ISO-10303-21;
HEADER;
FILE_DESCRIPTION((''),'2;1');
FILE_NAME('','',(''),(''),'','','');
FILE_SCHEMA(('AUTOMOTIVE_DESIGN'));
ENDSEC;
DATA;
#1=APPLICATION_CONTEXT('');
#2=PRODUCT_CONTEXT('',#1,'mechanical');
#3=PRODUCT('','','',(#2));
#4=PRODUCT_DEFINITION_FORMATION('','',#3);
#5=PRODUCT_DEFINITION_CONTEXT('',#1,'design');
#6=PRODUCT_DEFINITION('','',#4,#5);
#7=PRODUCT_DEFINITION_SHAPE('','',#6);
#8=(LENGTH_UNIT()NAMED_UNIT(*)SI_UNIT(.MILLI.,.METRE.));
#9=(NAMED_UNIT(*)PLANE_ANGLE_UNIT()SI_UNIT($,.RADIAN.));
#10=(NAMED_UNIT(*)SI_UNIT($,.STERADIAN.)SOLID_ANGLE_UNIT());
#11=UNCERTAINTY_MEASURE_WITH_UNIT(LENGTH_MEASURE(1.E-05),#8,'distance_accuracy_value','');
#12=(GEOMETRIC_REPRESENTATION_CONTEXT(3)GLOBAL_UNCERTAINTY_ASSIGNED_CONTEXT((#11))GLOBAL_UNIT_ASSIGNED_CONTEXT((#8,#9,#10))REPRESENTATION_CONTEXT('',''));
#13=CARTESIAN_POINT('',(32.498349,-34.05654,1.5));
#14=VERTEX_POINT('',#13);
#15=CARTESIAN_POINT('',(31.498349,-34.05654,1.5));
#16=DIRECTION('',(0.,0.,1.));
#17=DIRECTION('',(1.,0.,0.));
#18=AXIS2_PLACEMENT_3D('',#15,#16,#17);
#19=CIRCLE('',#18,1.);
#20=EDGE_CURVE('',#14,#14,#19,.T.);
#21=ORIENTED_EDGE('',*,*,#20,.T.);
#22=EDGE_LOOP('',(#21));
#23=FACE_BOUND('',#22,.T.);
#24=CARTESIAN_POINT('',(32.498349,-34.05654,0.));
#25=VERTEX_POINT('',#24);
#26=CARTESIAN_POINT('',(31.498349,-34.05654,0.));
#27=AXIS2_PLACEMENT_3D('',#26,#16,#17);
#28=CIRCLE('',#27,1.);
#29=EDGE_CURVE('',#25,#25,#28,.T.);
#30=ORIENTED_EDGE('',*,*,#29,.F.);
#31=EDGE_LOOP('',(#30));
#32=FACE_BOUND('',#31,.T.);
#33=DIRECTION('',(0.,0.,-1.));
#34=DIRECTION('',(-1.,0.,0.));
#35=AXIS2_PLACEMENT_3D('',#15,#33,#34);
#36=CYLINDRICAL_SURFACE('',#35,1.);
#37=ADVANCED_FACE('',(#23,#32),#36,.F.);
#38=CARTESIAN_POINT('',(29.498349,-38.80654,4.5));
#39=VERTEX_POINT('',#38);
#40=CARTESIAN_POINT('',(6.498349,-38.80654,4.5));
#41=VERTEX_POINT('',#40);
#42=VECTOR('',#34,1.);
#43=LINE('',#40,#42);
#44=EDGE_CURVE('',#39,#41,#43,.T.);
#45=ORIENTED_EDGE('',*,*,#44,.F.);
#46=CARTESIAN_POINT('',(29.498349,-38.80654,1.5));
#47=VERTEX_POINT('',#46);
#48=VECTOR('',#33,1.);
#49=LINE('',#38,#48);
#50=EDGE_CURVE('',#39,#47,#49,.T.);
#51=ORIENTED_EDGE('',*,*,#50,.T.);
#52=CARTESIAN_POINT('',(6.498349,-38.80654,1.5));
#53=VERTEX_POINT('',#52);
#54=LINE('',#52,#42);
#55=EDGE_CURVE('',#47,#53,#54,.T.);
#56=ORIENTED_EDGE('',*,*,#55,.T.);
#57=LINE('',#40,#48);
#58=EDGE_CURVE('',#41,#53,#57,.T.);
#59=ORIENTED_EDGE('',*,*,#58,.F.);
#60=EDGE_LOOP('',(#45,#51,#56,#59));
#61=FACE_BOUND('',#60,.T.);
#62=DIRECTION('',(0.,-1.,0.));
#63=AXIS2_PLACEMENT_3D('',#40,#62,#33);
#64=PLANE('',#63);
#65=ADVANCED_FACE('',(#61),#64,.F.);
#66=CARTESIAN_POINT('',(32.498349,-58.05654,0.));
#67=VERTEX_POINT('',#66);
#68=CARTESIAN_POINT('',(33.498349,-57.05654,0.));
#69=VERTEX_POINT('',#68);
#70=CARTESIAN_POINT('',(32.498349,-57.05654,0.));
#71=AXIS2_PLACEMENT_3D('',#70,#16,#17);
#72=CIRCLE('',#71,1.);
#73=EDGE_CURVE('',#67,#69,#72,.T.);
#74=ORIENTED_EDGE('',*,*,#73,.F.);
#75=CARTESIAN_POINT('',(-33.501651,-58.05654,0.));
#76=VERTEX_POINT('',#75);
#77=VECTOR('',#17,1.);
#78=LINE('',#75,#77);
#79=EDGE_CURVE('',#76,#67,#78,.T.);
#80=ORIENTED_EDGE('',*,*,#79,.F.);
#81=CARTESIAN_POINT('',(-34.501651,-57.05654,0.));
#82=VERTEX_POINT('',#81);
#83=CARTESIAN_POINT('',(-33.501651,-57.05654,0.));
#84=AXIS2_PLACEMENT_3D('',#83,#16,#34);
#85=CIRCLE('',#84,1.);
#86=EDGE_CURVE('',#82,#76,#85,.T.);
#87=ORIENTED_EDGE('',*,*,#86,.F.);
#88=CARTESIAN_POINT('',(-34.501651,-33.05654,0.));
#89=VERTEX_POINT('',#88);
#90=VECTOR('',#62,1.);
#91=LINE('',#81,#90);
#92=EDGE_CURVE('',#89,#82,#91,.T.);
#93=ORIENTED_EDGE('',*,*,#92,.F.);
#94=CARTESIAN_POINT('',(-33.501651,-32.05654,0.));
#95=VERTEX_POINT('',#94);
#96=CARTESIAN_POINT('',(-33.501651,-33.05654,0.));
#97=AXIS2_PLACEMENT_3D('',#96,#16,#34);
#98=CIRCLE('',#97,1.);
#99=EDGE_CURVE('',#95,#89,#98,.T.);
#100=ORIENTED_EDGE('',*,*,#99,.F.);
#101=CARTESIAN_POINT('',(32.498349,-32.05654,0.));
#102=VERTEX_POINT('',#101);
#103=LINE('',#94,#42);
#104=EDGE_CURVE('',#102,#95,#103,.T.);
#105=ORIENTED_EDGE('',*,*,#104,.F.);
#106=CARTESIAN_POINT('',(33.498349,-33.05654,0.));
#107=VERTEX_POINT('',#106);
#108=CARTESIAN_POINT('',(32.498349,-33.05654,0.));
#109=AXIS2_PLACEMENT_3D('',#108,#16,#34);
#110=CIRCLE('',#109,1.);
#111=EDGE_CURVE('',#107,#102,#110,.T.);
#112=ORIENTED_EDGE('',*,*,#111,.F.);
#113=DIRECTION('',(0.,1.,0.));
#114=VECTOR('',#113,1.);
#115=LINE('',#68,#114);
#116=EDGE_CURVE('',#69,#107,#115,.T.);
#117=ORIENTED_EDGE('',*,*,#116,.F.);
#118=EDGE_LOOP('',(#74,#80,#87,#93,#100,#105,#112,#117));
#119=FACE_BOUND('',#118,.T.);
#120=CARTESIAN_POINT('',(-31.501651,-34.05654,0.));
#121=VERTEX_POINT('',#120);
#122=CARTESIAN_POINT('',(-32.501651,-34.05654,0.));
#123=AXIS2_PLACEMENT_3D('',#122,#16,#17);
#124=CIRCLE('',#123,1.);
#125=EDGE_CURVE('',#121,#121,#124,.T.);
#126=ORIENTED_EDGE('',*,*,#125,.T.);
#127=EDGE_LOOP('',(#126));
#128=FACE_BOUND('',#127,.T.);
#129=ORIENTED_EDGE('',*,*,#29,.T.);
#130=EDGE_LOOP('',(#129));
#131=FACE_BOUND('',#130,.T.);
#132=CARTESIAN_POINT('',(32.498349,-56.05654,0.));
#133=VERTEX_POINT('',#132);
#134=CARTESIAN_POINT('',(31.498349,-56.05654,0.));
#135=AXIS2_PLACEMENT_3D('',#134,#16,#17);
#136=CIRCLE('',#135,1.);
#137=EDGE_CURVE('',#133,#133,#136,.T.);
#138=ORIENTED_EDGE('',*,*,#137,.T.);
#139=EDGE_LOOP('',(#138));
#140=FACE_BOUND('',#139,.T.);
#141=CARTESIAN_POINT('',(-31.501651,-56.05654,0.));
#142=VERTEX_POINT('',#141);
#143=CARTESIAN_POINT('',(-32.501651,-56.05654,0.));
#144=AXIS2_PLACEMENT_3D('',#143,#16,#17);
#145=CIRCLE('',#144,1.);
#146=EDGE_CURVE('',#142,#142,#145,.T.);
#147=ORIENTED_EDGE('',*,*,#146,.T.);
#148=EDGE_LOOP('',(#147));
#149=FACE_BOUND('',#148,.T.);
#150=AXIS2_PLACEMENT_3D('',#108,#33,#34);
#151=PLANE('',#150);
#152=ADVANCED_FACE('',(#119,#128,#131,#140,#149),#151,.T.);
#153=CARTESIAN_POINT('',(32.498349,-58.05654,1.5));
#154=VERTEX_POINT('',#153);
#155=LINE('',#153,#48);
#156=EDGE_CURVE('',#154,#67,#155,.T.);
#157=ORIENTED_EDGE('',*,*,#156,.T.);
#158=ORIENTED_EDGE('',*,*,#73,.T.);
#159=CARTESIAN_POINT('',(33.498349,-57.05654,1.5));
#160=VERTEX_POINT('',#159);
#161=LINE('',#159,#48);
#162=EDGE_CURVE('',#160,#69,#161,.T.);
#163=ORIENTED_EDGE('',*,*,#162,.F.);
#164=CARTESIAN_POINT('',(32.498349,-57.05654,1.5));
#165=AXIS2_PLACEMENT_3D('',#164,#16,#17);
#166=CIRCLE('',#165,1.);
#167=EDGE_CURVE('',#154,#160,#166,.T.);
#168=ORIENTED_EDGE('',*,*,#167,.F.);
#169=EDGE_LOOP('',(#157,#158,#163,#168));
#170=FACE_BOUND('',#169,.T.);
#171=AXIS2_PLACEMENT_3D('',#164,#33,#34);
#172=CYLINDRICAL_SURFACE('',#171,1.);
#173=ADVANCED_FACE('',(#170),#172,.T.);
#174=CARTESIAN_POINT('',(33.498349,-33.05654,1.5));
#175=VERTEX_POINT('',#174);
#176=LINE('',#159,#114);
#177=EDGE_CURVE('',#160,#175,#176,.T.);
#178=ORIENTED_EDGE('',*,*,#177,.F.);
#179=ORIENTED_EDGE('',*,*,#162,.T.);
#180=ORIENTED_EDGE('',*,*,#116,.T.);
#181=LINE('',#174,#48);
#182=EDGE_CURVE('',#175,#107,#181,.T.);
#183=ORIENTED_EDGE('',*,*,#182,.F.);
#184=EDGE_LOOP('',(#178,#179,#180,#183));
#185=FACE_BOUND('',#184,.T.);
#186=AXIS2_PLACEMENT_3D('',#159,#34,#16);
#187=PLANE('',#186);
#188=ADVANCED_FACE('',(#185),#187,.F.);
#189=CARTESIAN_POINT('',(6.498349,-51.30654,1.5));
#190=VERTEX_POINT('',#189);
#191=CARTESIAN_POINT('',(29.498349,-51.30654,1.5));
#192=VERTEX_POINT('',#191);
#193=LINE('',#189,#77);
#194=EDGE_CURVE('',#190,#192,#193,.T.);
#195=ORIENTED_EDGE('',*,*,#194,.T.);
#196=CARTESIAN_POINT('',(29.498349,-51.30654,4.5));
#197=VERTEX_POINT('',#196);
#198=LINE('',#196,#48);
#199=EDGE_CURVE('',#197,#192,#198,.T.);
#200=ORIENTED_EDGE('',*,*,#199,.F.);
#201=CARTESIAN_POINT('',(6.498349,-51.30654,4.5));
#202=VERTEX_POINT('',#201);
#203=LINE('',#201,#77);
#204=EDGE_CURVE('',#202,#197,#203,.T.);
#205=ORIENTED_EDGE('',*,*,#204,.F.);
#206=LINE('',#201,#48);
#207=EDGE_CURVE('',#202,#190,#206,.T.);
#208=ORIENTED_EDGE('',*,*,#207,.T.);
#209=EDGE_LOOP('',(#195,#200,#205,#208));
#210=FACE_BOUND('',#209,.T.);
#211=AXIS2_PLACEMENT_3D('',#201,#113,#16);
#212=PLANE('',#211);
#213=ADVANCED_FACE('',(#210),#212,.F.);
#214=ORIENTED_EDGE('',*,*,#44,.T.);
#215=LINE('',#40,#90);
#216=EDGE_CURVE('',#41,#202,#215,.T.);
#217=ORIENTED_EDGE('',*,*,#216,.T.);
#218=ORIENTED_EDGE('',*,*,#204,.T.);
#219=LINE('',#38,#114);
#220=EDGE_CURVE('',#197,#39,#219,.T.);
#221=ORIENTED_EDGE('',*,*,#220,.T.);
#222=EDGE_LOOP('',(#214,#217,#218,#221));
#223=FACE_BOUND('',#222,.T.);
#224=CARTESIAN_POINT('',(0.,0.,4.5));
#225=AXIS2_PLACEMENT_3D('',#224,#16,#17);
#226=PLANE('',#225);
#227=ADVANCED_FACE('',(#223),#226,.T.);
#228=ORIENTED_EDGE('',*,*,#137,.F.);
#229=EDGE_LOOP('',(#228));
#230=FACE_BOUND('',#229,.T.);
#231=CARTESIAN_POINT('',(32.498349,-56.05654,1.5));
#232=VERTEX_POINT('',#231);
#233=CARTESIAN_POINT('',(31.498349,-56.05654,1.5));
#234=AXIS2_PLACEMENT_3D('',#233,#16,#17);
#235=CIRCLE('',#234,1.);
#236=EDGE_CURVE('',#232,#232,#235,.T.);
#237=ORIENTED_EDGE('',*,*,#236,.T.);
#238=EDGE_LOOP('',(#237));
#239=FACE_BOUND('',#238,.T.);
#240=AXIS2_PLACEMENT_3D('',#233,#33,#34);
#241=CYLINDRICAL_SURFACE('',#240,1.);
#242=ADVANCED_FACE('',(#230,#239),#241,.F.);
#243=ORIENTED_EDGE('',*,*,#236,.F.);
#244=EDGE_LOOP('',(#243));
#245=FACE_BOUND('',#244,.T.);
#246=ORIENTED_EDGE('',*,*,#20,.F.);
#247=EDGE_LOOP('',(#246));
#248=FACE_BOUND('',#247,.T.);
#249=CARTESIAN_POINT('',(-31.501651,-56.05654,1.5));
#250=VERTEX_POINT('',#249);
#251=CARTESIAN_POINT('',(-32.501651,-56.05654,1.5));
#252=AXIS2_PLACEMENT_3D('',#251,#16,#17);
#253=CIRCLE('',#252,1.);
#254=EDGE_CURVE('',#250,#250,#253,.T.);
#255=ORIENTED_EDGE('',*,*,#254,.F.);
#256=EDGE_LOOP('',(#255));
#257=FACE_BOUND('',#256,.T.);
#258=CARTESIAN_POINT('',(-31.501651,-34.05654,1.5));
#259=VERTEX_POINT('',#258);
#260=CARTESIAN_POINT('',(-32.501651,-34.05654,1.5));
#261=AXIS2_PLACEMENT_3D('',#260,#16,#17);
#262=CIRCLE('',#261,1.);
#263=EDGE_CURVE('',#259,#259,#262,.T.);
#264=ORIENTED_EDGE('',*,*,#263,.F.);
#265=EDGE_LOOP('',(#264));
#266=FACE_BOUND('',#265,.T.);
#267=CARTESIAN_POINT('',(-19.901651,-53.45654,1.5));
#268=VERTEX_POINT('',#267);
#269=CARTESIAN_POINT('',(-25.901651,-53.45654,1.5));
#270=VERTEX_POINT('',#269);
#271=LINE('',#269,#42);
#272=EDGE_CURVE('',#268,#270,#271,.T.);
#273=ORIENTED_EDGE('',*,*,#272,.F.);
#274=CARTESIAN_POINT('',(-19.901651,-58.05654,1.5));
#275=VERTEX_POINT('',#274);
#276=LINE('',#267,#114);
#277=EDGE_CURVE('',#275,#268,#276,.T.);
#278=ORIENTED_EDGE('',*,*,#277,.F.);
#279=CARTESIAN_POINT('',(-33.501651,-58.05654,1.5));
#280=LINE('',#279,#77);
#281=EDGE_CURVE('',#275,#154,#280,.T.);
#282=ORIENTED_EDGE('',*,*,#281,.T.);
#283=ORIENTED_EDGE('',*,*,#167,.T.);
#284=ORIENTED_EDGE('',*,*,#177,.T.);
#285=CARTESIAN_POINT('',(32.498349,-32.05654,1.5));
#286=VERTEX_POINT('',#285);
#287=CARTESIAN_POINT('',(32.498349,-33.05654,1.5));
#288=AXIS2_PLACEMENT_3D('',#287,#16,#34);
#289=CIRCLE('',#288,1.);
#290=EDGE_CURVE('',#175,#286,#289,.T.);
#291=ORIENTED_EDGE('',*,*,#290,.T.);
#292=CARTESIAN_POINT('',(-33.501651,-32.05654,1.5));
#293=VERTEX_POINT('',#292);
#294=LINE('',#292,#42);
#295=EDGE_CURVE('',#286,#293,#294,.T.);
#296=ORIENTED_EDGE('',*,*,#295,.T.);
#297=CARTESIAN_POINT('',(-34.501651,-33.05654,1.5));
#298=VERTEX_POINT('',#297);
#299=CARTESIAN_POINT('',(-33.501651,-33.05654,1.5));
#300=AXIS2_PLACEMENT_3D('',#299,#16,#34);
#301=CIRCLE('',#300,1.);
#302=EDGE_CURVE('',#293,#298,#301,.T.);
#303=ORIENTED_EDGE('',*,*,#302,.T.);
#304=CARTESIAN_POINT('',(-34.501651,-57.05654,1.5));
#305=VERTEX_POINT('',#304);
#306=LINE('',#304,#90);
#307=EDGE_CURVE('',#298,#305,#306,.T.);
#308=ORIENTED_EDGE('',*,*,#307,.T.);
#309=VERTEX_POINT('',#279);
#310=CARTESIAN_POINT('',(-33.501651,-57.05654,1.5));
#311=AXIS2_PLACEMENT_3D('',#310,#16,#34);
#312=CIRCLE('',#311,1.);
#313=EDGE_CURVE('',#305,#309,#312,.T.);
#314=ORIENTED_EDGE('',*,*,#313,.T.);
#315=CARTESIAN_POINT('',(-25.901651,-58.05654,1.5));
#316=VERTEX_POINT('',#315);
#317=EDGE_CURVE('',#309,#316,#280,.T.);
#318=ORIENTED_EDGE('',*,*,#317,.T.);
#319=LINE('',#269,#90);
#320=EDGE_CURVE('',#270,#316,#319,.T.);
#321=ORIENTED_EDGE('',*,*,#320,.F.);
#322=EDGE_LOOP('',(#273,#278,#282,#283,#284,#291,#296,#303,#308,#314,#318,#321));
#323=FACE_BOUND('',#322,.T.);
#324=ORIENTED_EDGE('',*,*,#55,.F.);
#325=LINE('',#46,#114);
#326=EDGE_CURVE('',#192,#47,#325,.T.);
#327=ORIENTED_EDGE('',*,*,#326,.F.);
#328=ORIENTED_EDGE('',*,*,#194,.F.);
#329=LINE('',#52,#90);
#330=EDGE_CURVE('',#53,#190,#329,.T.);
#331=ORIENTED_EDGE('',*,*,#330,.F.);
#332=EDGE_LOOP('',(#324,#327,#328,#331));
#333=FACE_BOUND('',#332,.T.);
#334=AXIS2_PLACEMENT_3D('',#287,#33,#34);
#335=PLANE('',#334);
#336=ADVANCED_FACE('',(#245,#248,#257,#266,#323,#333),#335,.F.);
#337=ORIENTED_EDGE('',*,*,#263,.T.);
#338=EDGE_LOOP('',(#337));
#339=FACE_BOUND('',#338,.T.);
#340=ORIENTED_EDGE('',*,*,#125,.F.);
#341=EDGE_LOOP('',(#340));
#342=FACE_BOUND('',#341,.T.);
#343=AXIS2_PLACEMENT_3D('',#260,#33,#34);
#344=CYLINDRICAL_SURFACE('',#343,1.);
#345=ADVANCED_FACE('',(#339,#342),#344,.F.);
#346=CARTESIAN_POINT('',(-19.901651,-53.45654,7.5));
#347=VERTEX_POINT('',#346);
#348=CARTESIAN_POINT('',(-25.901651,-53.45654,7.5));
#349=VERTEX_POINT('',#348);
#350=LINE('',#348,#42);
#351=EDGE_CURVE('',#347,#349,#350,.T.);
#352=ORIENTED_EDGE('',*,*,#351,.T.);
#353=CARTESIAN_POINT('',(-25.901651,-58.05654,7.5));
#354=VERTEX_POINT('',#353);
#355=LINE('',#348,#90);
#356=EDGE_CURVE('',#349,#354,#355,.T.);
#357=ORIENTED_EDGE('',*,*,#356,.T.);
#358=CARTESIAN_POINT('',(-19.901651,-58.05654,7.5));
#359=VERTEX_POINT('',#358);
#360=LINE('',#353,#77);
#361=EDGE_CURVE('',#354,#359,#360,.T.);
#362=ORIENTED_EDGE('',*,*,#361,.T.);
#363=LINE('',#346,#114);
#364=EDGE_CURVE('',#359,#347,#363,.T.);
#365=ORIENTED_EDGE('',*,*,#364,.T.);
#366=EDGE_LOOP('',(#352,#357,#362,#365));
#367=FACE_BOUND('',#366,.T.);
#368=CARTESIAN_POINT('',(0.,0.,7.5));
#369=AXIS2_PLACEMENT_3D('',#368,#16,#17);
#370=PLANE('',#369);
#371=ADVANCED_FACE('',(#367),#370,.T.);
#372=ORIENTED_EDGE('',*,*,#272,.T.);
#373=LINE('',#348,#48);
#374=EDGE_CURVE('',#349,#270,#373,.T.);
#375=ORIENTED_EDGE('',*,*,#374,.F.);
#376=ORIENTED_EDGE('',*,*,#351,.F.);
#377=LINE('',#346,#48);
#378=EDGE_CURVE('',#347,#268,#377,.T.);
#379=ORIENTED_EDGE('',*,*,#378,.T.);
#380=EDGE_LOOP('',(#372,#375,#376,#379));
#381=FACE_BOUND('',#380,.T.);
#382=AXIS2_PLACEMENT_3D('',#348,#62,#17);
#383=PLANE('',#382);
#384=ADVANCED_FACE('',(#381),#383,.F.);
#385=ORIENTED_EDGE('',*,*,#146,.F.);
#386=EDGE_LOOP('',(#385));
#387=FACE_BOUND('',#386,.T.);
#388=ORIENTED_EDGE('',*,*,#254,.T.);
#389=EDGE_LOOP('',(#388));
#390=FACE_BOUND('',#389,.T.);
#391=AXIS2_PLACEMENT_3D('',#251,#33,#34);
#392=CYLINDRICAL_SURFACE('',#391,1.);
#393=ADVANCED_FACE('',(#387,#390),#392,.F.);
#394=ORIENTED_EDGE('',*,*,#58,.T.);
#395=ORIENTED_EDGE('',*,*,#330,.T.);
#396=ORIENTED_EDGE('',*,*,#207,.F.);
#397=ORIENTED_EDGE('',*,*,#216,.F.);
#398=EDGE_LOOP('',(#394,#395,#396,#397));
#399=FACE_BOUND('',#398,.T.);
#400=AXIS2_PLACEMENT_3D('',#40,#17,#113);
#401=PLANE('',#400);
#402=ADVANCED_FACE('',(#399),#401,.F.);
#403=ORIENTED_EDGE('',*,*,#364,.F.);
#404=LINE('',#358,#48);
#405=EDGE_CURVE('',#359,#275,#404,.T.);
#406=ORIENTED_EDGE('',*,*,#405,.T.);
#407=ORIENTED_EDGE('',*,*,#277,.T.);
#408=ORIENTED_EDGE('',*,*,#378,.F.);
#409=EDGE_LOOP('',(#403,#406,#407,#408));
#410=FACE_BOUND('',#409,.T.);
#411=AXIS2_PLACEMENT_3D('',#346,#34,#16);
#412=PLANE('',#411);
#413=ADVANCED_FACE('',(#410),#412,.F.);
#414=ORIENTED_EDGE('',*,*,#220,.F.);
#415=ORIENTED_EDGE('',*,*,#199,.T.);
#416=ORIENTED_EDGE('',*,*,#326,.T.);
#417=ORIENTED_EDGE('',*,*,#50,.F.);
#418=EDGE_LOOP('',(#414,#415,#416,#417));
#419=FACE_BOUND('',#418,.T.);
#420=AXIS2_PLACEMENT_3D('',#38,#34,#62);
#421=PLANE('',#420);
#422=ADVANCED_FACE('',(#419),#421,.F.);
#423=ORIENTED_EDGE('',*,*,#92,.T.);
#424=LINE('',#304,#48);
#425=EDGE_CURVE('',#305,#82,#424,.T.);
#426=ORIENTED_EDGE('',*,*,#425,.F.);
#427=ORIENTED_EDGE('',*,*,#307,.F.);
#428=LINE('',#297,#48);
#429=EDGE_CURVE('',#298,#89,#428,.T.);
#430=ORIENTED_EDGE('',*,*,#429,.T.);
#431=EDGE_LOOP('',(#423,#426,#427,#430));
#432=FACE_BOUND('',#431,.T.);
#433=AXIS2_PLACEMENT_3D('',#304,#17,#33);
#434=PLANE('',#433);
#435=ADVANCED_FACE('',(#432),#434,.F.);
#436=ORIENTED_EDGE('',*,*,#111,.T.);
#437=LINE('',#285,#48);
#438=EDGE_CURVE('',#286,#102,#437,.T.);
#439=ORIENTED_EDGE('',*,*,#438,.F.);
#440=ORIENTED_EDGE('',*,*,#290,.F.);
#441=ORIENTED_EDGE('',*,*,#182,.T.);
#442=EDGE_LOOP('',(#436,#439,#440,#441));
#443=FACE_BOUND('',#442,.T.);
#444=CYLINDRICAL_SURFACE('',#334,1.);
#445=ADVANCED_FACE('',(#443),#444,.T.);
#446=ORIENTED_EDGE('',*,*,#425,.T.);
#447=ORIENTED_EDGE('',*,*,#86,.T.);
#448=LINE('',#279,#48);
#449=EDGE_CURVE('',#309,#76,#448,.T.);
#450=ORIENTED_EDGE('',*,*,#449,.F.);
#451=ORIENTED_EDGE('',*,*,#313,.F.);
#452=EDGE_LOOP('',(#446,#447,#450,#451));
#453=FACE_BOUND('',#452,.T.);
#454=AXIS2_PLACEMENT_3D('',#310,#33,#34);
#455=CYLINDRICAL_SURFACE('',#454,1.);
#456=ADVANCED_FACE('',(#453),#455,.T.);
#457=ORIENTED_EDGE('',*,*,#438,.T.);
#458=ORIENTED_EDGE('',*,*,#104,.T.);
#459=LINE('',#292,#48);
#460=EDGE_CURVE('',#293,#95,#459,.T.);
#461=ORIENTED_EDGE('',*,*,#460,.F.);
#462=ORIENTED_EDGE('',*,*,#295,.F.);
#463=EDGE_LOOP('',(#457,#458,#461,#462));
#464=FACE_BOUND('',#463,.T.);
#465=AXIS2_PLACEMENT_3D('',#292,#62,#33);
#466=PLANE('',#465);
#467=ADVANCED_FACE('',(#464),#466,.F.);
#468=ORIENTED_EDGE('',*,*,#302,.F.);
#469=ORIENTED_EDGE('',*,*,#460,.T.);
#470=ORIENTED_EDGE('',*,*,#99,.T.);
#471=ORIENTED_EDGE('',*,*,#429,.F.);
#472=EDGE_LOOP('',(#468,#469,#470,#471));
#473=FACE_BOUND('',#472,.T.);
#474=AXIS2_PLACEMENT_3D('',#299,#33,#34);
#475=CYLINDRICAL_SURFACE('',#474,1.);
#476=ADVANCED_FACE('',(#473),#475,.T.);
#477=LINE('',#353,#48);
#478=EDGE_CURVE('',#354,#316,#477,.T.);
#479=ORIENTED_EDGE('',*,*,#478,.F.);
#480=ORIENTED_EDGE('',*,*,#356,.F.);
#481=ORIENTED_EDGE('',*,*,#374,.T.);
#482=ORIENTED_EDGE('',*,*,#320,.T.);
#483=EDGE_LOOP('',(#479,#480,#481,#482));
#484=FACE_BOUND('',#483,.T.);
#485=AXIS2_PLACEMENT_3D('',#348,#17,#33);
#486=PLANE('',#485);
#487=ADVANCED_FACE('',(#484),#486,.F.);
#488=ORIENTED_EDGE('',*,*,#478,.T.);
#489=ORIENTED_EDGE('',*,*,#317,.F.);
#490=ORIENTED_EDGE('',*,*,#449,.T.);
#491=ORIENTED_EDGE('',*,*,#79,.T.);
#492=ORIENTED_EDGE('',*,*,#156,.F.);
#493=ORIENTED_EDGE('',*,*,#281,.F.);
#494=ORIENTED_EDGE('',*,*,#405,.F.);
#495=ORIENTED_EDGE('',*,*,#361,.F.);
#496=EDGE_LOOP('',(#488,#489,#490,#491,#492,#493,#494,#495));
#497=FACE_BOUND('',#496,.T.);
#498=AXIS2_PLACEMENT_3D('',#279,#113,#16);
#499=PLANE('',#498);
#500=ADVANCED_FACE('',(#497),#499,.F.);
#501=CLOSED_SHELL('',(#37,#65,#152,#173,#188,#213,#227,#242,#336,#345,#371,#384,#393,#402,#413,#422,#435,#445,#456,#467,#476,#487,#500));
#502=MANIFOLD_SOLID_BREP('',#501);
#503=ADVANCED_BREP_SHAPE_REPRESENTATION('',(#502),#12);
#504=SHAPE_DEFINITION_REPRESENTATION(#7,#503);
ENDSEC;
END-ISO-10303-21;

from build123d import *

# Parameters (mm, degrees)
SKETCH_1_R      = 1
EXTRUDE_1_DEPTH = 1.5
SKETCH_2_W      = 23
SKETCH_2_H      = 12.5
EXTRUDE_2_DEPTH = 3
SKETCH_3_W      = 6
SKETCH_3_H      = 4.6
EXTRUDE_3_DEPTH = 6


with BuildPart() as part:
    # 草圖1 → 填料-伸長1 (new body)
    with BuildSketch(Plane.XY):
        with BuildLine():
            Line((-33.501650513, -58.056539749), (32.498349487, -58.056539749))
            ThreePointArc((32.498349487, -58.056539749), (33.205456268, -57.76364653), (33.498349487, -57.056539749))
            Line((33.498349487, -57.056539749), (33.498349487, -33.056539749))
            ThreePointArc((33.498349487, -33.056539749), (33.205456268, -32.349432967), (32.498349487, -32.056539749))
            Line((32.498349487, -32.056539749), (-33.501650513, -32.056539749))
            ThreePointArc((-33.501650513, -32.056539749), (-34.208757294, -32.349432967), (-34.501650513, -33.056539749))
            Line((-34.501650513, -33.056539749), (-34.501650513, -57.056539749))
            ThreePointArc((-34.501650513, -57.056539749), (-34.208757294, -57.76364653), (-33.501650513, -58.056539749))
        make_face()
        with Locations((-32.501650513, -34.056539749)):
            Circle(SKETCH_1_R, mode=Mode.SUBTRACT)
        with Locations((-32.501650513, -56.056539749)):
            Circle(SKETCH_1_R, mode=Mode.SUBTRACT)
        with Locations((31.498349487, -56.056539749)):
            Circle(SKETCH_1_R, mode=Mode.SUBTRACT)
        with Locations((31.498349487, -34.056539749)):
            Circle(SKETCH_1_R, mode=Mode.SUBTRACT)
    extrude(amount=EXTRUDE_1_DEPTH)

    # 草圖2 → 填料-伸長2 (add)
    with BuildSketch(Plane.XY.offset(1.5)):
        with Locations((17.998349487, -45.056539749)):
            Rectangle(SKETCH_2_W, SKETCH_2_H)
    extrude(amount=EXTRUDE_2_DEPTH)

    # 草圖3 → 填料-伸長3 (add)
    with BuildSketch(Plane.XY.offset(1.5)):
        with Locations((-22.901650513, -55.756539749)):
            Rectangle(SKETCH_3_W, SKETCH_3_H)
    extrude(amount=EXTRUDE_3_DEPTH)


solid = part.part
